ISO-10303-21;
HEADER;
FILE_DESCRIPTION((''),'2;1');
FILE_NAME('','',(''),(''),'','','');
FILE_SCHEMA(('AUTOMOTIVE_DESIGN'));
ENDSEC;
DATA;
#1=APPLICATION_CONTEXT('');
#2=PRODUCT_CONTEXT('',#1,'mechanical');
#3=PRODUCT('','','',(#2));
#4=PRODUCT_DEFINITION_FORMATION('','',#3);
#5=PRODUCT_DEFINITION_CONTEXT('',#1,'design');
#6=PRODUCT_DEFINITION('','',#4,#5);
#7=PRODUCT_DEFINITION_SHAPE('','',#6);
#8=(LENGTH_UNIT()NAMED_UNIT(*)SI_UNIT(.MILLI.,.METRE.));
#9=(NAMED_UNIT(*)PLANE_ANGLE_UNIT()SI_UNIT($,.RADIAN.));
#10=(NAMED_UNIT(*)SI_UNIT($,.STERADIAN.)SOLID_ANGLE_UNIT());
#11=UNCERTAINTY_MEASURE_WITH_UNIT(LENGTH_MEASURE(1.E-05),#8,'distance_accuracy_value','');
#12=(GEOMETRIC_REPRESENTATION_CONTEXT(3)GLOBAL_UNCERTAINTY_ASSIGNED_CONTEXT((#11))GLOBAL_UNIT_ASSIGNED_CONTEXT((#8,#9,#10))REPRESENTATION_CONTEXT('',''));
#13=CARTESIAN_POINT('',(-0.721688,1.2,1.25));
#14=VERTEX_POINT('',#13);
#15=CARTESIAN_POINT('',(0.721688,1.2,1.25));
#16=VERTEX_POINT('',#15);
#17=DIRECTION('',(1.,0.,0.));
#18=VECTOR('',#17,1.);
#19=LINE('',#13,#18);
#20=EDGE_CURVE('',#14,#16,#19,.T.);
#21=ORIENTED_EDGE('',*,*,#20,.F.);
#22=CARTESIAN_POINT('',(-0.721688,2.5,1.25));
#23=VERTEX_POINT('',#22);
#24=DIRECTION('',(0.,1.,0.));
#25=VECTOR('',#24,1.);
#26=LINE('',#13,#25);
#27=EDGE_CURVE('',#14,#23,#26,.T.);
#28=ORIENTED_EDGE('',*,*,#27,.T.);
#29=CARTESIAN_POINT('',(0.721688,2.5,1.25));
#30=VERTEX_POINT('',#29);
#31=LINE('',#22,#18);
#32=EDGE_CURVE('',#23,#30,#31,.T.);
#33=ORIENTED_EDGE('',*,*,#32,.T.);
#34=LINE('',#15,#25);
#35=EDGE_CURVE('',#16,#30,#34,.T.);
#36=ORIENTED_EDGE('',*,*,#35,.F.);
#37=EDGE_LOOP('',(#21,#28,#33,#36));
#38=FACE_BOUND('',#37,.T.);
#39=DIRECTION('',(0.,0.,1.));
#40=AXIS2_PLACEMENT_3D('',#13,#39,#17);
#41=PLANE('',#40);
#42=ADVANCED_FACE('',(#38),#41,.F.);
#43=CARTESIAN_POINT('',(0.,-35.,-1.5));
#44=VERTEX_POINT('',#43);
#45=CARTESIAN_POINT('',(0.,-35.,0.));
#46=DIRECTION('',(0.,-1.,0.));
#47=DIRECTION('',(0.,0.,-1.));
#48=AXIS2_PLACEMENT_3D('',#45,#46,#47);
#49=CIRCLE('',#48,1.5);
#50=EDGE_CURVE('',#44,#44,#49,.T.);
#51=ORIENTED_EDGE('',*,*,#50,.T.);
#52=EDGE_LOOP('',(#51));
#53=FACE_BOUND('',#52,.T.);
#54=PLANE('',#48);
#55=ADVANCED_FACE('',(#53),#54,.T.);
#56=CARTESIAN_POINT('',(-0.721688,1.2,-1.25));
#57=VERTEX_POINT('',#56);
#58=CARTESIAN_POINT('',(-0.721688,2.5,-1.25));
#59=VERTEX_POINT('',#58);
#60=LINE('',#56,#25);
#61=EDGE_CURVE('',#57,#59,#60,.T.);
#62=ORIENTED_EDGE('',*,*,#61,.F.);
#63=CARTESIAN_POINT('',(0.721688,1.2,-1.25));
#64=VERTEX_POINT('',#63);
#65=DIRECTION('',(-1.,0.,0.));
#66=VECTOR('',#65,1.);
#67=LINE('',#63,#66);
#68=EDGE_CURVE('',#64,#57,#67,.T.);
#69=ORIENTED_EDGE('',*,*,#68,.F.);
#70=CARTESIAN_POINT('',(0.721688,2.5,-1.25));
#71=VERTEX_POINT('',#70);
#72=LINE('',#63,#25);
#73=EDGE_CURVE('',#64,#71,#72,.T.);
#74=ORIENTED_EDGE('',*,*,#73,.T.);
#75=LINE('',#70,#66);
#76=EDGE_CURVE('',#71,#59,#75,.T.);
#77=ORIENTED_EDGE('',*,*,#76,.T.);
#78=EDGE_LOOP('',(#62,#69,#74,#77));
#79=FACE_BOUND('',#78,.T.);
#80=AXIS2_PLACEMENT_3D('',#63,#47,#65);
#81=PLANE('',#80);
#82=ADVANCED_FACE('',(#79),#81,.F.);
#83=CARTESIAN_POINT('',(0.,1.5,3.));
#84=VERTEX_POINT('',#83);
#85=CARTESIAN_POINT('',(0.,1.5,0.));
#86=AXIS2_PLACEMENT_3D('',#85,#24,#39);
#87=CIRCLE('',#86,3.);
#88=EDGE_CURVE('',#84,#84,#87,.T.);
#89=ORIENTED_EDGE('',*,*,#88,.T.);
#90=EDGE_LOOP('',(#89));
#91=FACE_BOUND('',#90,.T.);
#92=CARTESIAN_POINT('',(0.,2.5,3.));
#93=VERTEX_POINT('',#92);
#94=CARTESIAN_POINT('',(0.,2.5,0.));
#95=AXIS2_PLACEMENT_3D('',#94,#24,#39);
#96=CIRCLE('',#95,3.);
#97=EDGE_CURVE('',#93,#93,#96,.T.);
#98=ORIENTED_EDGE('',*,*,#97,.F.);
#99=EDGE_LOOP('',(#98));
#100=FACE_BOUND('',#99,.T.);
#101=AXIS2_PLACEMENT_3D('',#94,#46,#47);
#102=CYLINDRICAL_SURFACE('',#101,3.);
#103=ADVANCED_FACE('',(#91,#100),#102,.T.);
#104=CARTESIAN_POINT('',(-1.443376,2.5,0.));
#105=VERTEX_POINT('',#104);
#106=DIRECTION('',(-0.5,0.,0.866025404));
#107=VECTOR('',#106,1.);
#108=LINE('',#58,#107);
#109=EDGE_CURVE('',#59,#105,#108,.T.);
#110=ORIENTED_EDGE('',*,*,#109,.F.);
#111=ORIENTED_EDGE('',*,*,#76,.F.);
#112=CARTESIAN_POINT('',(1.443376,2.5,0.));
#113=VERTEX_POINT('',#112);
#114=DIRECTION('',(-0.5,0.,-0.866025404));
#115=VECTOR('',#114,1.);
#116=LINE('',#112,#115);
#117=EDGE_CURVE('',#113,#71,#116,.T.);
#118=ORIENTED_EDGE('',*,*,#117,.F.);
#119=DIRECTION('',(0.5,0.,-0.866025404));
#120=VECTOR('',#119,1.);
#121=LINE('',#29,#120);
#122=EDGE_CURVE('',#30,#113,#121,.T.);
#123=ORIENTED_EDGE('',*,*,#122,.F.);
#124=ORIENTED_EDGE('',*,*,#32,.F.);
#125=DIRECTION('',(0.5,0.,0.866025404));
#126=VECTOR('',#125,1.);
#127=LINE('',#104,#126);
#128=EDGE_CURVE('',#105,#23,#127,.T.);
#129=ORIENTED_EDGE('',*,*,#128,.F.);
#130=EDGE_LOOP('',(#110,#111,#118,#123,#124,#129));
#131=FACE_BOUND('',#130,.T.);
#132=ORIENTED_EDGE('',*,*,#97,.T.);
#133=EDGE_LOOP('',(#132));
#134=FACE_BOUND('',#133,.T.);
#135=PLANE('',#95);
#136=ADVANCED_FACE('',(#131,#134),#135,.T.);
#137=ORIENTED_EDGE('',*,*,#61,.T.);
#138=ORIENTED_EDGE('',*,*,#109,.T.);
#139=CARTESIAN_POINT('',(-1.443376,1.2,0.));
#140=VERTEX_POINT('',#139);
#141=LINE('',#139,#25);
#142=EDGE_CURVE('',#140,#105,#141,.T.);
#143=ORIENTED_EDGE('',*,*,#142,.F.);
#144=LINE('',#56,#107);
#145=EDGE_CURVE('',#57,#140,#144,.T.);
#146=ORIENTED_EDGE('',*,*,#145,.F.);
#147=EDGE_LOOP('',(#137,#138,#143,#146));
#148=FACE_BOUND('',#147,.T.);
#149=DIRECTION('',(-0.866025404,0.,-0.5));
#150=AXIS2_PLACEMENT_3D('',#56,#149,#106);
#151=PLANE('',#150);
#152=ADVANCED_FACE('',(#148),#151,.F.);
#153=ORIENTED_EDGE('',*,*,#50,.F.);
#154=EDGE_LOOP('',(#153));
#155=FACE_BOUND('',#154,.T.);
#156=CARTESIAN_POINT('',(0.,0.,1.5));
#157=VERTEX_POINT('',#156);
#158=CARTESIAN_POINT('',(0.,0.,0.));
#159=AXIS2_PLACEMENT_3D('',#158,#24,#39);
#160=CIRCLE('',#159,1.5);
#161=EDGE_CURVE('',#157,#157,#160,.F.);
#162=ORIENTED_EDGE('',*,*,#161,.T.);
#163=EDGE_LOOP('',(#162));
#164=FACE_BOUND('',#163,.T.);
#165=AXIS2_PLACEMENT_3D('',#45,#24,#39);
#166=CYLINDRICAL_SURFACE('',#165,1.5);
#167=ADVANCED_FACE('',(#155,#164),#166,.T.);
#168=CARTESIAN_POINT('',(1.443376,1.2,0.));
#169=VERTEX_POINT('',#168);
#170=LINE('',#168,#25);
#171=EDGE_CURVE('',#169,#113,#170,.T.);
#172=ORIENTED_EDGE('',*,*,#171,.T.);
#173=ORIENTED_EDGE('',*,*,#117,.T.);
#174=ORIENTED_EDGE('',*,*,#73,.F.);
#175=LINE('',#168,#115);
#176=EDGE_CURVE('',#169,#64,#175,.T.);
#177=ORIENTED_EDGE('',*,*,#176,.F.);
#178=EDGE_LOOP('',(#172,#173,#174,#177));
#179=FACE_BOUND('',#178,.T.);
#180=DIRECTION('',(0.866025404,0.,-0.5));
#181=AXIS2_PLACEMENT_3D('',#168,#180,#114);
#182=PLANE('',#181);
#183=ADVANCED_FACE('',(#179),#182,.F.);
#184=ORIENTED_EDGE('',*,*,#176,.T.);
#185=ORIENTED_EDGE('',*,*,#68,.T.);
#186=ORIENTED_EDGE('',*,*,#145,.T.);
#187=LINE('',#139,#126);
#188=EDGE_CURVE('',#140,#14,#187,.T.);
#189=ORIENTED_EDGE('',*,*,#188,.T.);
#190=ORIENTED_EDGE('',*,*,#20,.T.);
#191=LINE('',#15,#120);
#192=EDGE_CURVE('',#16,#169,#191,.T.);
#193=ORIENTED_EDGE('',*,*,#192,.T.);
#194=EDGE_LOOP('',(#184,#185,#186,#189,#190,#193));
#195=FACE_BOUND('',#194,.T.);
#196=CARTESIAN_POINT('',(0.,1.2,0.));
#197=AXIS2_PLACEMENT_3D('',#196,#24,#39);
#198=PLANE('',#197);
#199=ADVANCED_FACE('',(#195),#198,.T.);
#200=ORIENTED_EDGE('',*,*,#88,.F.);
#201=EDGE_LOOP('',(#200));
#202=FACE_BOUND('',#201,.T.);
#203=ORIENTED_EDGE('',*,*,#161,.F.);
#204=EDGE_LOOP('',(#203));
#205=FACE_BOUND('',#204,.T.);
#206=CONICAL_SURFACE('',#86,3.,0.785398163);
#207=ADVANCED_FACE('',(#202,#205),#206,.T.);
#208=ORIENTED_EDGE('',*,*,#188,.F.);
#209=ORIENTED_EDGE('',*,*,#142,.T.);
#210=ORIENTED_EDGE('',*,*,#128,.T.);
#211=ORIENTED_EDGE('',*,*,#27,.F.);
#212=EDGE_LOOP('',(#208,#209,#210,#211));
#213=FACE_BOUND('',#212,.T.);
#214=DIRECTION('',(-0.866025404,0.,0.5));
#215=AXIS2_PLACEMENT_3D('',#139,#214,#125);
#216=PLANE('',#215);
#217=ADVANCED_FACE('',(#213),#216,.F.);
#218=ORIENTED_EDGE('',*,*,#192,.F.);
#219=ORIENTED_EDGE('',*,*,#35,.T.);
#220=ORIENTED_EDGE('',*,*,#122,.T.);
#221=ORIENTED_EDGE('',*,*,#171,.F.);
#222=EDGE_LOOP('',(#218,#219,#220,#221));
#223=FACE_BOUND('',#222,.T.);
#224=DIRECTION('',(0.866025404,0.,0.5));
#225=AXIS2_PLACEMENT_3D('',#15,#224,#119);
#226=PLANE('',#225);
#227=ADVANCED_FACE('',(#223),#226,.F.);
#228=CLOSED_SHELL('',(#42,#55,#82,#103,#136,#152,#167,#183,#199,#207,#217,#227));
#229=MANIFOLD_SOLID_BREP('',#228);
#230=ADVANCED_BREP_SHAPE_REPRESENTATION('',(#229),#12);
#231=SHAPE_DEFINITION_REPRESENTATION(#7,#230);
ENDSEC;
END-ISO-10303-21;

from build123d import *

# Parameters (mm, degrees)
SKETCH_1_R            = 3
EXTRUDE_251_DEPTH     = 2.5
CHAMFER_1_SIZE        = 1.5
CUT_EXTRUDE_459_DEPTH = 1.3
SKETCH_3_R            = 1.5
EXTRUDE_571_DEPTH     = 35


with BuildPart() as part:
    # 草图1 → Extrude 251 (new body)
    with BuildSketch(Plane(origin=(0, 0, 0), x_dir=(1, 0, 0), z_dir=(0, 1, 0))):
        Circle(SKETCH_1_R)
    extrude(amount=EXTRUDE_251_DEPTH)

    # 倒角1
    chamfer_1_edges = [part.edges().sort_by_distance(p)[0] for p in [
        (-3, 0, 0),
    ]]
    chamfer(chamfer_1_edges, length=CHAMFER_1_SIZE)

    # 草图2 → Cut-Extrude 459 (cut)
    with BuildSketch(Plane(origin=(0, 2.5, 0), x_dir=(1, 0, 0), z_dir=(0, 1, 0))):
        Polygon((1.443375673, 0), (0.721687836, 1.25), (-0.721687836, 1.25), (-1.443375673, 0), (-0.721687836, -1.25), (0.721687836, -1.25), align=None)
    extrude(amount=-CUT_EXTRUDE_459_DEPTH, mode=Mode.SUBTRACT)

    # 草图3 → Extrude 571 (add)
    with BuildSketch(Plane.XZ):
        Circle(SKETCH_3_R)
    extrude(amount=EXTRUDE_571_DEPTH)


solid = part.part
